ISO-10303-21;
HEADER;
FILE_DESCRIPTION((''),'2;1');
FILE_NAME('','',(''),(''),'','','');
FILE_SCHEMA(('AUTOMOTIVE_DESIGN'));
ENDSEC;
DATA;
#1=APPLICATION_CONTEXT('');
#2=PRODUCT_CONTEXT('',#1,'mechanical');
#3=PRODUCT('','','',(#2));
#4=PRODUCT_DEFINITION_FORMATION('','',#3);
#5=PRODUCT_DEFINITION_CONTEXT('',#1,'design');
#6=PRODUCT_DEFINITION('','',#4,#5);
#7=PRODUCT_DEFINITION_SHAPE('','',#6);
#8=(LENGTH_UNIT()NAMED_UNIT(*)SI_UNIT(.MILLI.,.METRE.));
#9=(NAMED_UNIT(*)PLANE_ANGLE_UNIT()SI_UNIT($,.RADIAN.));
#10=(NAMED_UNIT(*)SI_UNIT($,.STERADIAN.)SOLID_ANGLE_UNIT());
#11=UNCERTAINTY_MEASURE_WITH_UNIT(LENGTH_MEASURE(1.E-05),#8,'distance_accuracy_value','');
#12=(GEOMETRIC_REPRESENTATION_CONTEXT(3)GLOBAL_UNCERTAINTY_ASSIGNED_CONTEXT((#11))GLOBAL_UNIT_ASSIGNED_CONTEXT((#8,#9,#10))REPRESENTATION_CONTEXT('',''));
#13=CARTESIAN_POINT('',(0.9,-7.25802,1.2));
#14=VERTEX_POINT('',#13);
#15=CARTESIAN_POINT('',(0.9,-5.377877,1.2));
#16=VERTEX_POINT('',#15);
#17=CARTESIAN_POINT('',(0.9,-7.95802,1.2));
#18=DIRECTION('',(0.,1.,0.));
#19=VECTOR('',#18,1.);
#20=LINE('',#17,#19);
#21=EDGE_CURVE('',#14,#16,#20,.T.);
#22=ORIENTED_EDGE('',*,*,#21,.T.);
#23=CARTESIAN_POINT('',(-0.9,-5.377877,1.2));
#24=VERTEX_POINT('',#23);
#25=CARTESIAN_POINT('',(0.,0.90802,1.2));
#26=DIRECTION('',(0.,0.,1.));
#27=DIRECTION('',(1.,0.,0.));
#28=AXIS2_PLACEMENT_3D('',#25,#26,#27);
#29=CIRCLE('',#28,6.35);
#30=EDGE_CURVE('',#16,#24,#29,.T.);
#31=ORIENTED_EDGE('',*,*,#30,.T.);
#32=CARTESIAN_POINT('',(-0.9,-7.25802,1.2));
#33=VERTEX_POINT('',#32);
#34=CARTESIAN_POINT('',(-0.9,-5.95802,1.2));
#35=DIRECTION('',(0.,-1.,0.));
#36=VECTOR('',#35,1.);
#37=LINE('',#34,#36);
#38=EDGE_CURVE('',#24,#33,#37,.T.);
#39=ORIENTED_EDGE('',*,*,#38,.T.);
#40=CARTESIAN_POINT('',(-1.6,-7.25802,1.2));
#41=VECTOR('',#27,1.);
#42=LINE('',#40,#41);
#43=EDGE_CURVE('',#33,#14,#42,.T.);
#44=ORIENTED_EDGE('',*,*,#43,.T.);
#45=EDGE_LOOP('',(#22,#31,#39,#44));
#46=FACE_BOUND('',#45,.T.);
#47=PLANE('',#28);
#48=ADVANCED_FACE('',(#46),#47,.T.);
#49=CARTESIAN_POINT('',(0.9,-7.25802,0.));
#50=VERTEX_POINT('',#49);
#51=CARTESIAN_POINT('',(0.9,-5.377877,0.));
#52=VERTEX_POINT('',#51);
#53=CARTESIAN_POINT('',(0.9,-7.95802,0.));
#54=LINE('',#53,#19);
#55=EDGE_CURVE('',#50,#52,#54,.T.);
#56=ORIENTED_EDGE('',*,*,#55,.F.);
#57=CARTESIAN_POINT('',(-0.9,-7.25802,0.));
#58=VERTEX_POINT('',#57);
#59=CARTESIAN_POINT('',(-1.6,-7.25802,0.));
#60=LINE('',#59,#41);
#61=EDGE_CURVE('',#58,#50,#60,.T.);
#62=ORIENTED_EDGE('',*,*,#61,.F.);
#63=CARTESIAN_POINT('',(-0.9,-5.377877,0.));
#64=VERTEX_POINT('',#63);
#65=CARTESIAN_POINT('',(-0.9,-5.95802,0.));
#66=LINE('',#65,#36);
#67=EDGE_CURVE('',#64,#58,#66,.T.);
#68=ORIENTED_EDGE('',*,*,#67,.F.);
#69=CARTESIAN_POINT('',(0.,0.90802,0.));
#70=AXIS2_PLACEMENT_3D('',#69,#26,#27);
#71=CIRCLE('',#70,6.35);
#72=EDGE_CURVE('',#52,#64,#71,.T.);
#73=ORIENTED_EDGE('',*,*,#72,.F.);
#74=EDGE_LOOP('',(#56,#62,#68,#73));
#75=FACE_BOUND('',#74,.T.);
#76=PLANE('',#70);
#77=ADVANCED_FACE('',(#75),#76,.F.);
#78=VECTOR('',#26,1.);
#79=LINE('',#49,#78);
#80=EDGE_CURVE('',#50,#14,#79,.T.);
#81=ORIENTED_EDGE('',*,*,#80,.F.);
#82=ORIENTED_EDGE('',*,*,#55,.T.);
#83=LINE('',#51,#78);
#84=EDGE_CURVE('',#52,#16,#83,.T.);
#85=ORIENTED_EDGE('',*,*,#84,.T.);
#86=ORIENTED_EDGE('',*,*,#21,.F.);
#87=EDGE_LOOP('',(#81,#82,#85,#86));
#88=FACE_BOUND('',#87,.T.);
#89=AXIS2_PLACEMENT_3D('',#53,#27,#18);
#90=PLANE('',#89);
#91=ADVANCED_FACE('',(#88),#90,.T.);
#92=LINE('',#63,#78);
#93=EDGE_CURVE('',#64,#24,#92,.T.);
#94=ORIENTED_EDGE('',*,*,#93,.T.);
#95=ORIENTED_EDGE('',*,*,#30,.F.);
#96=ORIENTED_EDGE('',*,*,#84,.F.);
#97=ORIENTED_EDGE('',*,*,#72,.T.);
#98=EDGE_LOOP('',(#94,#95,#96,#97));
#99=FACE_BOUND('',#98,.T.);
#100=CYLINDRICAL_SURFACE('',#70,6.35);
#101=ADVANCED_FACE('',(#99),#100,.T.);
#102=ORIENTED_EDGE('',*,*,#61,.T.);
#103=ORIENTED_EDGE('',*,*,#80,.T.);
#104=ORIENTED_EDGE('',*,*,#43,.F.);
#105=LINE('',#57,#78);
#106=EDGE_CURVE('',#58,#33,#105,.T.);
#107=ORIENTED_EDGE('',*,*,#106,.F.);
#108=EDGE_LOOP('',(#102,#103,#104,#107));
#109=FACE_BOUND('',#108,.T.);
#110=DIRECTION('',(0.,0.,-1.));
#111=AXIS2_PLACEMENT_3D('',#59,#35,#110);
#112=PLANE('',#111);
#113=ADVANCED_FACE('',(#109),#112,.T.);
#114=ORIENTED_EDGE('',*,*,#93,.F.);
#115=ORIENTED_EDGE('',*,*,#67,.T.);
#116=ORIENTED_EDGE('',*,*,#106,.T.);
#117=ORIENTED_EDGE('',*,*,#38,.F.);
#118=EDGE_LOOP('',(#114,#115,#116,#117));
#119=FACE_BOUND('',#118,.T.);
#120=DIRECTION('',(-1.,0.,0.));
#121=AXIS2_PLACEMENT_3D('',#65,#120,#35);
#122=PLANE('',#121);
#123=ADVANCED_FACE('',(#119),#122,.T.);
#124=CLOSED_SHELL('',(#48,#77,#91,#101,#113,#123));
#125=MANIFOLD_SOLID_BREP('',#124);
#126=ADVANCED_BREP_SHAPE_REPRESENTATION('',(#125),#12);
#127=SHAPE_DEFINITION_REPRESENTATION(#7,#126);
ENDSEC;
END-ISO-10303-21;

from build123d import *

# Parameters (mm, degrees)
EXTRUDE_1_DEPTH     = 1.2
CUT_EXTRUDE_START   = -1.2
CUT_EXTRUDE_1_DEPTH = 1.2


with BuildPart() as part:
    # Эскиз2 → Бобышка-Вытянуть1 (new body)
    with BuildSketch(Plane.XY):
        with BuildLine():
            Line((-1.6, -5.958019808), (-1.6, -7.958019808))
            Line((-1.6, -7.958019808), (1.6, -7.958019808))
            Line((1.6, -7.958019808), (1.6, -5.958019808))
            ThreePointArc((1.6, -5.958019808), (0, 7.958019808), (-1.6, -5.958019808))
        make_face()
    extrude(amount=EXTRUDE_1_DEPTH)

    # Эскиз3 → Вырез-Вытянуть-Тонкостенный1 (cut)
    with BuildSketch(Plane.XY.offset(1.2).offset(CUT_EXTRUDE_START)):
        with BuildLine():
            Line((-1.6, -5.958019808), (-1.6, -7.958019808))
            Line((-1.6, -7.958019808), (1.6, -7.958019808))
            Line((1.6, -7.958019808), (1.6, -5.958019808))
            ThreePointArc((1.6, -5.958019808), (0, 7.958019808), (-1.6, -5.958019808))
        make_face()
        with BuildLine():
            Line((-0.9, -5.377877105), (-0.9, -7.258019808))
            Line((-0.9, -7.258019808), (0.9, -7.258019808))
            Line((0.9, -7.258019808), (0.9, -5.377877105))
            ThreePointArc((0.9, -5.377877105), (0, 7.258019808), (-0.9, -5.377877105))
        make_face(mode=Mode.SUBTRACT)
    extrude(amount=CUT_EXTRUDE_1_DEPTH, mode=Mode.SUBTRACT)


solid = part.part
